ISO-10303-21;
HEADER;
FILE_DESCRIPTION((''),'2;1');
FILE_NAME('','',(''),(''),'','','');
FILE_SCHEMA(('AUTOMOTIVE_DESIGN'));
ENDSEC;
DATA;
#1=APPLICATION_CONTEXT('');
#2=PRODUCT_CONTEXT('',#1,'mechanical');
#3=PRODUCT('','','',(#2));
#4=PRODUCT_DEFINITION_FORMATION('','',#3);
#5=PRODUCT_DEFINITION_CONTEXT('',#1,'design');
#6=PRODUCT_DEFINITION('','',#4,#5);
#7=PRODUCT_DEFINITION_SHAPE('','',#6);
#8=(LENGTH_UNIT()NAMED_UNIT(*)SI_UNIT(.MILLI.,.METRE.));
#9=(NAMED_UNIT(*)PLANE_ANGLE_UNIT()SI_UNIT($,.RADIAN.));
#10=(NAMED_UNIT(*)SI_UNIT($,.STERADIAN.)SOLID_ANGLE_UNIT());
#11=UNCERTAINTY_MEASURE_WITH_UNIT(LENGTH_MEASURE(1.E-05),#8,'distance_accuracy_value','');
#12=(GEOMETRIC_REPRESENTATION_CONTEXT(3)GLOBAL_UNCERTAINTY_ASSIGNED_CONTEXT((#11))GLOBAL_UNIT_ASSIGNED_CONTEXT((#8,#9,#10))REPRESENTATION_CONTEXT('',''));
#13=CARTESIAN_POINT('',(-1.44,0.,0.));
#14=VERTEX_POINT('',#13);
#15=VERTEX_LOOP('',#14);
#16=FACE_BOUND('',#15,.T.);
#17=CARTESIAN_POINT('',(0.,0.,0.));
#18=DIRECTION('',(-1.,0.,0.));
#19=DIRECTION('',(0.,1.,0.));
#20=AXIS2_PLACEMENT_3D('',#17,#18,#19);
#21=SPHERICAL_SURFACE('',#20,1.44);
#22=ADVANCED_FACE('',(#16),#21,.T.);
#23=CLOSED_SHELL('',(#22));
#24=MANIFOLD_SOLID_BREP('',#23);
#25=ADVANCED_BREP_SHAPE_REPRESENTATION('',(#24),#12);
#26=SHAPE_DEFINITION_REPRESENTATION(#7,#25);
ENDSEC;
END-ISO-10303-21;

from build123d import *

# Parameters (mm, degrees)
SCALE1_SCALE = 1.2
SCALE2_SCALE = 0.1


with BuildPart() as part:
    # Sketch1 → Revolve1 (revolve)
    with BuildSketch(Plane.XY):
        with BuildLine():
            Line((-12, 0), (12, 0))
            ThreePointArc((12, 0), (0, -12), (-12, 0))
        make_face()
    revolve(axis=Axis((-12, 0, 0), (1, 0, 0)))


with BuildPart() as part_1:
    # Scale1: scaled about (0, 0, 0)
    add(part.part.scale(SCALE1_SCALE))


with BuildPart() as part_2:
    # Scale2: scaled about (0, 0, 0)
    add(part_1.part.scale(SCALE2_SCALE))


solid = part_2.part
